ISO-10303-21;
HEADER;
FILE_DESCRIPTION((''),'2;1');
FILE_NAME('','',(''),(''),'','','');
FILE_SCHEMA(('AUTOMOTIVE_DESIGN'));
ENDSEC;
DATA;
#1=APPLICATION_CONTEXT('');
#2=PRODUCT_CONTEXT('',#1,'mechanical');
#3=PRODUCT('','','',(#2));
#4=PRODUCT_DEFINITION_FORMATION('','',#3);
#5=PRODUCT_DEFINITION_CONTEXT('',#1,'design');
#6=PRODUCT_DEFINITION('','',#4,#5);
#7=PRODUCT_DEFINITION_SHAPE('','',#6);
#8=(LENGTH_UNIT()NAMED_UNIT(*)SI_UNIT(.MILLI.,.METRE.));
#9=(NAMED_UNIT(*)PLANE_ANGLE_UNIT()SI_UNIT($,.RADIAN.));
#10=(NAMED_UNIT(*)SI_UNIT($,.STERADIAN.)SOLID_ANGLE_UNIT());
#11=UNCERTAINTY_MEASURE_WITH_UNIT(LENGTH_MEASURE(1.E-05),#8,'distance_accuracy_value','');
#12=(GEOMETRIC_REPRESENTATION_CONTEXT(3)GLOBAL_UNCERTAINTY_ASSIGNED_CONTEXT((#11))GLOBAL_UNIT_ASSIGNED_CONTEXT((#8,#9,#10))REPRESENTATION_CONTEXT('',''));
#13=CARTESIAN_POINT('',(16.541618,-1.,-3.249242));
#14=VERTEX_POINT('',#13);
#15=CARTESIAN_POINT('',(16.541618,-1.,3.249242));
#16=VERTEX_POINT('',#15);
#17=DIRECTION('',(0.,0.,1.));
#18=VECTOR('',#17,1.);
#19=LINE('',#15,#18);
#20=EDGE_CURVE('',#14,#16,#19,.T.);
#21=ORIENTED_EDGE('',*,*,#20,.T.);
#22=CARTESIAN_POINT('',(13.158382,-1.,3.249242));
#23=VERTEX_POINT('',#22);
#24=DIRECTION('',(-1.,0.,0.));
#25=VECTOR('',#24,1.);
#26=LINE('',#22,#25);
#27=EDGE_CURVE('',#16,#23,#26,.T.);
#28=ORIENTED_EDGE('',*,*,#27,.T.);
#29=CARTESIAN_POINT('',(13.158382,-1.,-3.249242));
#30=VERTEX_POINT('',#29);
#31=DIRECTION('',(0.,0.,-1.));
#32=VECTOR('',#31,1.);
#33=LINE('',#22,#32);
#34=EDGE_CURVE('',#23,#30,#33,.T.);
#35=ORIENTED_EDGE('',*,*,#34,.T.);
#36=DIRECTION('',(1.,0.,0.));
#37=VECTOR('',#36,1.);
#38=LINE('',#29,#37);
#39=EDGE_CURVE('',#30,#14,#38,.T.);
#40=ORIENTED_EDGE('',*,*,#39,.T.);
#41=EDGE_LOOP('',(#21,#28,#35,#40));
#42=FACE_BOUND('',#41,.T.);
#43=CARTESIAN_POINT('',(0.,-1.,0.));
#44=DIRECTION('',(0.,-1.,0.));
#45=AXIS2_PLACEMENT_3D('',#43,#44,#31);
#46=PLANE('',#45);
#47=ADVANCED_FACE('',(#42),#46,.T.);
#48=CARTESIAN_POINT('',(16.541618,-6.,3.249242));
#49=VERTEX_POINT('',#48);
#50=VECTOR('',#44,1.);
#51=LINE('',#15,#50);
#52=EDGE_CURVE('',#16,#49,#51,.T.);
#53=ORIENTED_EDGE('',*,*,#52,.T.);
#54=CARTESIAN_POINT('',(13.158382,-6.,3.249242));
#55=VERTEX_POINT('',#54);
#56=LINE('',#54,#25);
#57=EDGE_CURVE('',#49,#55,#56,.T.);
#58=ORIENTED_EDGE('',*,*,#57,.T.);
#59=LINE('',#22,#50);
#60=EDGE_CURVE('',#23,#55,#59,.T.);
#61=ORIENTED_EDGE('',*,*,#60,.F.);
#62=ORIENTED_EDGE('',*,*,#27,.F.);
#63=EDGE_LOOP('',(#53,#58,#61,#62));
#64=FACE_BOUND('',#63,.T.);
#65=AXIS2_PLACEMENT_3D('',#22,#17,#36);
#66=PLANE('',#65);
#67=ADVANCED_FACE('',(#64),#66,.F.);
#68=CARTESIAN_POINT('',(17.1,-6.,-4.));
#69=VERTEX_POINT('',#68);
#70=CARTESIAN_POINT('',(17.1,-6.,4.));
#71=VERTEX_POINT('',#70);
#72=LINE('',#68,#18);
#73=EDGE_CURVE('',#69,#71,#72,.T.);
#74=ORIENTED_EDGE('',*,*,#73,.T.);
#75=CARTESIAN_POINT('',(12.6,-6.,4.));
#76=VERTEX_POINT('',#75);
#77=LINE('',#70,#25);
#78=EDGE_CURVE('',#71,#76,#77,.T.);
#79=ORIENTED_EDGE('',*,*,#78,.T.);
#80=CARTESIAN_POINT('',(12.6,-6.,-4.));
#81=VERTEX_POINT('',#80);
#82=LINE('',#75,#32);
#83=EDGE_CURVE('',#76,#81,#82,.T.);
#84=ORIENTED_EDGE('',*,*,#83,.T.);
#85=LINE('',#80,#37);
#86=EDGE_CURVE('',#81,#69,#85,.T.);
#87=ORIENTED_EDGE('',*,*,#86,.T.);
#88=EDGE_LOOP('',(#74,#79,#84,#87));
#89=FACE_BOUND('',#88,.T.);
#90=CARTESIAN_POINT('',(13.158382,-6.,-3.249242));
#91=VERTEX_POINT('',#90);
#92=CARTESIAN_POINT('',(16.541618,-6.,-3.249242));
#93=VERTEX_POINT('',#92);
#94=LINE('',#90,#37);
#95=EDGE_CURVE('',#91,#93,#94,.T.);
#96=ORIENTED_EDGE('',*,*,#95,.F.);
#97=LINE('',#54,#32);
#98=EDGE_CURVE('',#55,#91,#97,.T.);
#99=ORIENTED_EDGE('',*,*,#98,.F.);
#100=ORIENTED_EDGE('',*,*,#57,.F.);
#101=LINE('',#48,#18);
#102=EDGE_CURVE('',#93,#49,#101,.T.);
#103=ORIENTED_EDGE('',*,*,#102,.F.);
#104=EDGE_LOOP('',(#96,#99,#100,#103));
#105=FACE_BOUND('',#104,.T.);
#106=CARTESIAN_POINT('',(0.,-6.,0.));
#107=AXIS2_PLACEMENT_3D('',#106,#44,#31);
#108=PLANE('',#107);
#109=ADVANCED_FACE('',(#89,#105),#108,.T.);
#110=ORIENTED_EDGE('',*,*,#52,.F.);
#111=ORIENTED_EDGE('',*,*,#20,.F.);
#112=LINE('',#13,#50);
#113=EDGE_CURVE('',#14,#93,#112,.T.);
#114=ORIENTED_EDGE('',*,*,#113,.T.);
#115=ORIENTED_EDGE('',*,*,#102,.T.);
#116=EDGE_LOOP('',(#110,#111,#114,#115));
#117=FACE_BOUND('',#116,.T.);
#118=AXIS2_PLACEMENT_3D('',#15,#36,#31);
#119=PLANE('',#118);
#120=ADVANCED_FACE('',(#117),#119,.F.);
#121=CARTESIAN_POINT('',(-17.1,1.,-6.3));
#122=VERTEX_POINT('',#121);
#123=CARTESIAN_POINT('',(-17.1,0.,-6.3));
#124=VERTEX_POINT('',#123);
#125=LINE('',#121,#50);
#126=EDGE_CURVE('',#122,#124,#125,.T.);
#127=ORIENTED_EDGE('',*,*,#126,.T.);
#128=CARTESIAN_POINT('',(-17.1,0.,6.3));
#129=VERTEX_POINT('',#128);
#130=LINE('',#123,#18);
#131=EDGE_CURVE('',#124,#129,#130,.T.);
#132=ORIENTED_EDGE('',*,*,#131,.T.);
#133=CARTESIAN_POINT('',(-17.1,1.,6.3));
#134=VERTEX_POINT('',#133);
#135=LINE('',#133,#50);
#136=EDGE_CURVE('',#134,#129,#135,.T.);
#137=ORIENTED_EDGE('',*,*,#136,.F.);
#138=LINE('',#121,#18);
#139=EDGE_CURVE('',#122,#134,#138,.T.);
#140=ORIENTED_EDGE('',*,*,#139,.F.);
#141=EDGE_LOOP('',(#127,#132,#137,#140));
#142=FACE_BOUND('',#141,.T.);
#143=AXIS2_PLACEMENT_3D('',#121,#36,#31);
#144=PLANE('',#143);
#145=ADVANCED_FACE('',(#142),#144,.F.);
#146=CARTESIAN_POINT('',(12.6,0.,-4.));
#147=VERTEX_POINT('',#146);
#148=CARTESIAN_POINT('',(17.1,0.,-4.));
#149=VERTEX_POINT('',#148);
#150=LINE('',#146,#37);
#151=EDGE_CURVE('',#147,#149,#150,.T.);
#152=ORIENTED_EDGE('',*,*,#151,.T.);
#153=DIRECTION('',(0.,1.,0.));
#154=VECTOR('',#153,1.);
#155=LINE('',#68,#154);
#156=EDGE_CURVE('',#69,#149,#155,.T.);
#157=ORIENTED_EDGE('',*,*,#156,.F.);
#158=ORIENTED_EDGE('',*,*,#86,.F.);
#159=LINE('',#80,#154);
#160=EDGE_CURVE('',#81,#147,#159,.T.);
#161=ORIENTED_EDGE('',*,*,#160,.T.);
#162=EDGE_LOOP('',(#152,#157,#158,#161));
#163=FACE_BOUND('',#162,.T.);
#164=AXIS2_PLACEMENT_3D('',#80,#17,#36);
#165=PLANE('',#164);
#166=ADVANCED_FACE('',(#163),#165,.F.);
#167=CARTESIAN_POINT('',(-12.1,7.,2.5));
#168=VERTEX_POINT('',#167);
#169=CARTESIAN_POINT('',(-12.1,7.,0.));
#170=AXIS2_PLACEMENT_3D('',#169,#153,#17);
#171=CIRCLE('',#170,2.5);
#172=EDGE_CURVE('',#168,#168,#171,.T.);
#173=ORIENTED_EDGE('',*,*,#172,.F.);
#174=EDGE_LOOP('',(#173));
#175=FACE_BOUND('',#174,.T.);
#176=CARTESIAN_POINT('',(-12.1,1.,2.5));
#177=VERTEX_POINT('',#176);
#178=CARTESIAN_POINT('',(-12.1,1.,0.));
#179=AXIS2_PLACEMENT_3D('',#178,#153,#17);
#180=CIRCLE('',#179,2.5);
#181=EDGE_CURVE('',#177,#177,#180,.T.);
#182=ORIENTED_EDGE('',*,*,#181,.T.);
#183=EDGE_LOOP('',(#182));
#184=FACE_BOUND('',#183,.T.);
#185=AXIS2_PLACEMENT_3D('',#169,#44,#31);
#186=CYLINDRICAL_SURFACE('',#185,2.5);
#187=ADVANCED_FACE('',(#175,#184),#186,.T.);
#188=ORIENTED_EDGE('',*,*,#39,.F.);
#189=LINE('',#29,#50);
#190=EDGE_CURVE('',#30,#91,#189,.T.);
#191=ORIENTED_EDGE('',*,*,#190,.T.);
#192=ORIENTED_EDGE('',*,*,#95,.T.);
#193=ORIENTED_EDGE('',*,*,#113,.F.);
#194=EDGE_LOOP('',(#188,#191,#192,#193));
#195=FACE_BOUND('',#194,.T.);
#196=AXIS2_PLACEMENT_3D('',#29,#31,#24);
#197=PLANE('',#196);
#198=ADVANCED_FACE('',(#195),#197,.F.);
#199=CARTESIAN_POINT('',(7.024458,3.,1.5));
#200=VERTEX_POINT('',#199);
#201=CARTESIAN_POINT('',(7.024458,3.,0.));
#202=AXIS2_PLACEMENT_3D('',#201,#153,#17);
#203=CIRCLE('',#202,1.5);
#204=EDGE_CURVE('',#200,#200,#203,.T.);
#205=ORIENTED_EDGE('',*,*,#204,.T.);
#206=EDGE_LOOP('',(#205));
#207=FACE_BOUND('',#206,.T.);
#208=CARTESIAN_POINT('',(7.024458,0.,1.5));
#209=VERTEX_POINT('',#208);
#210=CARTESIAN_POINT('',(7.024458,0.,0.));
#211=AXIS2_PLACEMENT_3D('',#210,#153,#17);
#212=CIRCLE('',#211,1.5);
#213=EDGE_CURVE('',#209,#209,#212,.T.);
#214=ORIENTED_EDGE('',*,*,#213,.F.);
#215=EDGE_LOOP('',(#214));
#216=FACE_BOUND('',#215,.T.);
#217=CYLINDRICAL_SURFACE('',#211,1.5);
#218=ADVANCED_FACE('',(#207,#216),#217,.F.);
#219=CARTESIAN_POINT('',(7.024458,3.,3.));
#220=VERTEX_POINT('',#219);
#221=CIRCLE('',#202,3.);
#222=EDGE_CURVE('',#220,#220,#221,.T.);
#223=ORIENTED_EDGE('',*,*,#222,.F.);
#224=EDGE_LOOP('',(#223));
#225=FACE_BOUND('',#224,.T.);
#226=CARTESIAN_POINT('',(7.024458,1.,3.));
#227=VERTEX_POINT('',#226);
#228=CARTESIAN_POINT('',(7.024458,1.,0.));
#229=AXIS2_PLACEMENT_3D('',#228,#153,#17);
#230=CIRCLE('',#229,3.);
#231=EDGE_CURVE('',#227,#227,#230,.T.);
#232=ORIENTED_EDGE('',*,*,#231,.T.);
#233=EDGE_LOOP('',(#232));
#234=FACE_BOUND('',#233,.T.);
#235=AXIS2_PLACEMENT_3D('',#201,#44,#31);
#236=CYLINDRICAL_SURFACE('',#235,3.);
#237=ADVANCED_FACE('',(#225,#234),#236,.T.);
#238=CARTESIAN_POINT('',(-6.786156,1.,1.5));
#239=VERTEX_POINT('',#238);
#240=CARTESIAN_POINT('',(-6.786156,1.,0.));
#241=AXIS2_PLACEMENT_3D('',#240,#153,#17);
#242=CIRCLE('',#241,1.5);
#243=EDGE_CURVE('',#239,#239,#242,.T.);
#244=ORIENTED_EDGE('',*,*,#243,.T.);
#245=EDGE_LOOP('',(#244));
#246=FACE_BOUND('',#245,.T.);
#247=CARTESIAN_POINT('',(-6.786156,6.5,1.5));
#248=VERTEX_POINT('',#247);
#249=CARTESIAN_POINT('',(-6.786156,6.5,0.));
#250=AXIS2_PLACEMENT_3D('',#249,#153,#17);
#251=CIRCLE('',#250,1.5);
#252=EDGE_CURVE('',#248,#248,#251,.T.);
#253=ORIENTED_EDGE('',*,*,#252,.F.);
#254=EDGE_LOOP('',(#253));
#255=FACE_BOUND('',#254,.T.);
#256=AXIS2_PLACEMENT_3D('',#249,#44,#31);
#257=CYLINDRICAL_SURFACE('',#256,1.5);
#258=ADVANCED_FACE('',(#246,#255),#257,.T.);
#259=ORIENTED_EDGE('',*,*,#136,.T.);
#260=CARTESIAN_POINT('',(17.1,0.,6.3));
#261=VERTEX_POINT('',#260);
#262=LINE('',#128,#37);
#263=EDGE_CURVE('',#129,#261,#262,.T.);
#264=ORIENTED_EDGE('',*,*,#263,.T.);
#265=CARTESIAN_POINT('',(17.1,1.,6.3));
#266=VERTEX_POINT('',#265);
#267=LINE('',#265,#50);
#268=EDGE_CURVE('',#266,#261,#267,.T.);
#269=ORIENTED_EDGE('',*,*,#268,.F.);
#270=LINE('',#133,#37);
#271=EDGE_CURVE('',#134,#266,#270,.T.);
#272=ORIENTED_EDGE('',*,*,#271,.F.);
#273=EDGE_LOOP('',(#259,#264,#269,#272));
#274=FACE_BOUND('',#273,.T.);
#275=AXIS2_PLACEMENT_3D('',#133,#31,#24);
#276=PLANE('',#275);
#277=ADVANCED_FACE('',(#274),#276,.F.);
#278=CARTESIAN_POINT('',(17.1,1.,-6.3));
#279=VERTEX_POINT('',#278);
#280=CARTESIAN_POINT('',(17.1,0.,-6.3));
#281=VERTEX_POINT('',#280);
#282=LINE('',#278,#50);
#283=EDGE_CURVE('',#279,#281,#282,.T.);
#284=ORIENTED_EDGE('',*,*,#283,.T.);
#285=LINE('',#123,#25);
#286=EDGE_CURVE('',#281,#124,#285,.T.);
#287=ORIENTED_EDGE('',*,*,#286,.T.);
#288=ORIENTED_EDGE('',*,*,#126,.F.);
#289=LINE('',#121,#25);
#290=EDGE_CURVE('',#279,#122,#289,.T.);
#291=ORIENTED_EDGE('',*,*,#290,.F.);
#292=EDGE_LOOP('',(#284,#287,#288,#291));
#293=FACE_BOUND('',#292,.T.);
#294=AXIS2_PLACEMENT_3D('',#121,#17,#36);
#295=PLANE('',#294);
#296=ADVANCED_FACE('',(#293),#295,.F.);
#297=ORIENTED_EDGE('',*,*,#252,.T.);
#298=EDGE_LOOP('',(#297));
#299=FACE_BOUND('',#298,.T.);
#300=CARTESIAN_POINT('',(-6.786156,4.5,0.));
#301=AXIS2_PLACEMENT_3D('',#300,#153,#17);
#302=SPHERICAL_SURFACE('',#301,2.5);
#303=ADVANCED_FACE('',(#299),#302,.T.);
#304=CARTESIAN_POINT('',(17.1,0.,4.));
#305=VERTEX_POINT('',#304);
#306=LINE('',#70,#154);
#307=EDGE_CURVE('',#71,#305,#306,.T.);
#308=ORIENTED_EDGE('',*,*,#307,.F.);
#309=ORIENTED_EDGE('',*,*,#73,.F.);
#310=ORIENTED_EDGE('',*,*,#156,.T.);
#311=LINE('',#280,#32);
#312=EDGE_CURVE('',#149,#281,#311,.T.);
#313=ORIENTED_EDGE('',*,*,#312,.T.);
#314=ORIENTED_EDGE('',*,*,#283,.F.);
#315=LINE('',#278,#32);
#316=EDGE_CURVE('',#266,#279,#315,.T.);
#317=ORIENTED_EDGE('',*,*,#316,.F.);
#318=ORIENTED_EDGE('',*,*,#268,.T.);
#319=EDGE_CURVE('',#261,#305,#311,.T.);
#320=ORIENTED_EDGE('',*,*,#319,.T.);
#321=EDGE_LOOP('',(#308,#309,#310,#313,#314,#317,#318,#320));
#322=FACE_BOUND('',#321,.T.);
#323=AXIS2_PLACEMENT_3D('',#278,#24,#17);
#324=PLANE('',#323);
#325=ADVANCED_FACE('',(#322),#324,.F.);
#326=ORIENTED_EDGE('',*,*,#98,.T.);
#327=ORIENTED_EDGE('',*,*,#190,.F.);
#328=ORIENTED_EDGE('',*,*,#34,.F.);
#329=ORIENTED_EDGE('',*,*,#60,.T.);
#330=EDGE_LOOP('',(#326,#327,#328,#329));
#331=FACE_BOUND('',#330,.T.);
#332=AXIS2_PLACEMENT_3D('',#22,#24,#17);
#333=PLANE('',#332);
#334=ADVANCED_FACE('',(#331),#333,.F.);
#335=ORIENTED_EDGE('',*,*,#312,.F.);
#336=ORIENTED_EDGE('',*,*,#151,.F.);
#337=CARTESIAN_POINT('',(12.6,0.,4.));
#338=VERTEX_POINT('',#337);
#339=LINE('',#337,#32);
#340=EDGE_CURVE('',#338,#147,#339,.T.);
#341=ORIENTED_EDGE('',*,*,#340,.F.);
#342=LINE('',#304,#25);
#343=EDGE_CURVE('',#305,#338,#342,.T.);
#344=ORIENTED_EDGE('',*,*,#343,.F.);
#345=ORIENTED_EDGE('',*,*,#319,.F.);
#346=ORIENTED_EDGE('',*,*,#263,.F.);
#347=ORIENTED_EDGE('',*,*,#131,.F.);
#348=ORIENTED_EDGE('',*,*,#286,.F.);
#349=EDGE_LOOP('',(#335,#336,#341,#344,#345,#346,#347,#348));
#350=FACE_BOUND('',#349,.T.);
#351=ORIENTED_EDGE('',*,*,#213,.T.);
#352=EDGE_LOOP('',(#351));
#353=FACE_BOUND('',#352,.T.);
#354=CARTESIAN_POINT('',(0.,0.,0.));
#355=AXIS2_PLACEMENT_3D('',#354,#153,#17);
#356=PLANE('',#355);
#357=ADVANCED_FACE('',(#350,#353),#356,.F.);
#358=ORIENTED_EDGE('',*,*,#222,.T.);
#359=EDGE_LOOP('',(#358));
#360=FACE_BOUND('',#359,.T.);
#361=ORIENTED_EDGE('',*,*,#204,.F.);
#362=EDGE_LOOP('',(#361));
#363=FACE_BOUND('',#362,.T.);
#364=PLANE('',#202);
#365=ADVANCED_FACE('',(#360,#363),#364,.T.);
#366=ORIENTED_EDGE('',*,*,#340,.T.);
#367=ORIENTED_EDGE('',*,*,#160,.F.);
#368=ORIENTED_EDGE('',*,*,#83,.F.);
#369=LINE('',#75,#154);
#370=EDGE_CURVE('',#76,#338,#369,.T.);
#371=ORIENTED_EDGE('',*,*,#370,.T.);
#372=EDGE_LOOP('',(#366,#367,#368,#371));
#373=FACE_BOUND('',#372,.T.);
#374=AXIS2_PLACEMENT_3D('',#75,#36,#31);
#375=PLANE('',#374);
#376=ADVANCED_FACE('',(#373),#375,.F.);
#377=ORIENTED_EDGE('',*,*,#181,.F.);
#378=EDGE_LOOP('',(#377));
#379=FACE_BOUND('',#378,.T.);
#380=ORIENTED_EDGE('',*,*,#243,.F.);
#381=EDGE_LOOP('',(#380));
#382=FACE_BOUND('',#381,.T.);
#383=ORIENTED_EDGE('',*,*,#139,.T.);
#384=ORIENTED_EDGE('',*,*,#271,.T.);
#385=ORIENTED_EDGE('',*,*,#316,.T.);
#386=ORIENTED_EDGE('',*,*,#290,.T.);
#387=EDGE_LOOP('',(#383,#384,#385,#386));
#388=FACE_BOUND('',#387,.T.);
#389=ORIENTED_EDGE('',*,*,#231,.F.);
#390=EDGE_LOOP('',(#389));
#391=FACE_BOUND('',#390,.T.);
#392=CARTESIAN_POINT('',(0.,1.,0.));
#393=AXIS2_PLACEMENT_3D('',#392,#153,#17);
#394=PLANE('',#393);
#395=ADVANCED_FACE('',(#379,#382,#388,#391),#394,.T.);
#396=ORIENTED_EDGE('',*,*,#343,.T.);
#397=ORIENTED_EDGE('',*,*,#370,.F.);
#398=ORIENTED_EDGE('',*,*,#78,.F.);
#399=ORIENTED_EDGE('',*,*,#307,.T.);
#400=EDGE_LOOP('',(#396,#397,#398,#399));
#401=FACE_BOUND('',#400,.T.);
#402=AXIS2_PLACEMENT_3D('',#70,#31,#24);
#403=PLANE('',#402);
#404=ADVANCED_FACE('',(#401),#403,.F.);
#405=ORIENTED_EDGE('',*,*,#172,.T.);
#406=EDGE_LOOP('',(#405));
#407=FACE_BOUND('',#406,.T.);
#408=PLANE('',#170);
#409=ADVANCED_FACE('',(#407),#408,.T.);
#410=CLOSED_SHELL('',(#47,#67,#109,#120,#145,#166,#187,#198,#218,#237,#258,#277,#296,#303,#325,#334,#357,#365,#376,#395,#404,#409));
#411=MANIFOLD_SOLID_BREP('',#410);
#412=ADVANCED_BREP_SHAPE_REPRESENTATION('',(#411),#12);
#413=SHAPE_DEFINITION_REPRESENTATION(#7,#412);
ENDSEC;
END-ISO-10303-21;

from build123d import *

# Parameters (mm, degrees)
SKETCH_1_W          = 34.2
SKETCH_1_H          = 12.6
EXTRUDE_1_DEPTH     = 1
SKETCH_2_R          = 2.5
EXTRUDE_2_DEPTH     = 6
SKETCH_3_R          = 1.5
EXTRUDE_3_DEPTH     = 5.5
DOME_3_FACE_RADIUS  = 1.5
DOME_3_HEIGHT       = 0.5
SKETCH_4_R          = 1.5
CUT_EXTRUDE_1_DEPTH = 20.185932346
EXTRUDE_START       = 2
SKETCH_5_R          = 3
SKETCH_5_R_2        = 1.5
EXTRUDE_4_DEPTH     = 2
SKETCH_6_W          = 4.5
SKETCH_6_H          = 8
EXTRUDE_6_DEPTH     = 6
SKETCH_7_W          = 3.38323666
SKETCH_7_H          = 6.498483094
CUT_EXTRUDE_2_DEPTH = 5


with BuildPart() as part:
    # 草图1 → 凸台-拉伸1 (new body)
    with BuildSketch(Plane(origin=(0, 0, 0), x_dir=(1, 0, 0), z_dir=(0, 1, 0))):
        Rectangle(SKETCH_1_W, SKETCH_1_H)
    extrude(amount=EXTRUDE_1_DEPTH)

    # 草图2 → 凸台-拉伸2 (add)
    with BuildSketch(Plane(origin=(0, 1, 0), x_dir=(1, 0, 0), z_dir=(0, 1, 0))):
        with Locations(Location((-12.1, 0, 0), (0, 0, 270))):
            Circle(SKETCH_2_R)
    extrude(amount=EXTRUDE_2_DEPTH)

    # 草图3 → 凸台-拉伸3 (add)
    with BuildSketch(Plane(origin=(0, 1, 0), x_dir=(1, 0, 0), z_dir=(0, 1, 0))):
        with Locations(Location((-6.786156124, 0, 0), (0, 0, 270))):
            Circle(SKETCH_3_R)
    extrude(amount=EXTRUDE_3_DEPTH)

    # 圆顶3: a dome of height H over a round flat face of radius A is a cap of a sphere of radius (A * A + H * H) / (2 * H)
    dome_3_r = (DOME_3_FACE_RADIUS * DOME_3_FACE_RADIUS + DOME_3_HEIGHT * DOME_3_HEIGHT) / (2 * DOME_3_HEIGHT)
    dome_3_base = Plane((-6.786156124, 6.5, 0), z_dir=(0, 1, 0))
    with Locations(dome_3_base.offset(DOME_3_HEIGHT - dome_3_r)):
        dome_3_ball = Sphere(dome_3_r, mode=Mode.PRIVATE)
    add(split(dome_3_ball, bisect_by=dome_3_base, keep=Keep.TOP, mode=Mode.PRIVATE))

    # 草图4 → 切除-拉伸1 (cut, through all)
    with BuildSketch(Plane(origin=(0, 1, 0), x_dir=(1, 0, 0), z_dir=(0, 1, 0))):
        with Locations(Location((7.02445794, 0, 0), (0, 0, 270))):
            Circle(SKETCH_4_R)
    extrude(amount=-CUT_EXTRUDE_1_DEPTH, mode=Mode.SUBTRACT)

    # 草图5 → 凸台-拉伸4 (add)
    with BuildSketch(Plane(origin=(0, 1, 0), x_dir=(1, 0, 0), z_dir=(0, 1, 0)).offset(EXTRUDE_START)):
        with Locations(Location((7.02445794, 0, 0), (0, 0, 270))):
            Circle(SKETCH_5_R)
        with Locations(Location((7.02445794, 0, 0), (0, 0, 270))):
            Circle(SKETCH_5_R_2, mode=Mode.SUBTRACT)
    extrude(amount=-EXTRUDE_4_DEPTH)

    # 草图6 → 凸台-拉伸6 (add)
    with BuildSketch(Plane(origin=(0, 0, 0), x_dir=(-1, 0, 0), z_dir=(0, -1, 0))):
        with Locations((-14.85, 0)):
            Rectangle(SKETCH_6_W, SKETCH_6_H)
    extrude(amount=EXTRUDE_6_DEPTH)

    # 草图7 → 切除-拉伸2 (cut)
    with BuildSketch(Plane.XZ.offset(6)):
        with Locations((14.85, 0)):
            Rectangle(SKETCH_7_W, SKETCH_7_H)
    extrude(amount=-CUT_EXTRUDE_2_DEPTH, mode=Mode.SUBTRACT)


solid = part.part
